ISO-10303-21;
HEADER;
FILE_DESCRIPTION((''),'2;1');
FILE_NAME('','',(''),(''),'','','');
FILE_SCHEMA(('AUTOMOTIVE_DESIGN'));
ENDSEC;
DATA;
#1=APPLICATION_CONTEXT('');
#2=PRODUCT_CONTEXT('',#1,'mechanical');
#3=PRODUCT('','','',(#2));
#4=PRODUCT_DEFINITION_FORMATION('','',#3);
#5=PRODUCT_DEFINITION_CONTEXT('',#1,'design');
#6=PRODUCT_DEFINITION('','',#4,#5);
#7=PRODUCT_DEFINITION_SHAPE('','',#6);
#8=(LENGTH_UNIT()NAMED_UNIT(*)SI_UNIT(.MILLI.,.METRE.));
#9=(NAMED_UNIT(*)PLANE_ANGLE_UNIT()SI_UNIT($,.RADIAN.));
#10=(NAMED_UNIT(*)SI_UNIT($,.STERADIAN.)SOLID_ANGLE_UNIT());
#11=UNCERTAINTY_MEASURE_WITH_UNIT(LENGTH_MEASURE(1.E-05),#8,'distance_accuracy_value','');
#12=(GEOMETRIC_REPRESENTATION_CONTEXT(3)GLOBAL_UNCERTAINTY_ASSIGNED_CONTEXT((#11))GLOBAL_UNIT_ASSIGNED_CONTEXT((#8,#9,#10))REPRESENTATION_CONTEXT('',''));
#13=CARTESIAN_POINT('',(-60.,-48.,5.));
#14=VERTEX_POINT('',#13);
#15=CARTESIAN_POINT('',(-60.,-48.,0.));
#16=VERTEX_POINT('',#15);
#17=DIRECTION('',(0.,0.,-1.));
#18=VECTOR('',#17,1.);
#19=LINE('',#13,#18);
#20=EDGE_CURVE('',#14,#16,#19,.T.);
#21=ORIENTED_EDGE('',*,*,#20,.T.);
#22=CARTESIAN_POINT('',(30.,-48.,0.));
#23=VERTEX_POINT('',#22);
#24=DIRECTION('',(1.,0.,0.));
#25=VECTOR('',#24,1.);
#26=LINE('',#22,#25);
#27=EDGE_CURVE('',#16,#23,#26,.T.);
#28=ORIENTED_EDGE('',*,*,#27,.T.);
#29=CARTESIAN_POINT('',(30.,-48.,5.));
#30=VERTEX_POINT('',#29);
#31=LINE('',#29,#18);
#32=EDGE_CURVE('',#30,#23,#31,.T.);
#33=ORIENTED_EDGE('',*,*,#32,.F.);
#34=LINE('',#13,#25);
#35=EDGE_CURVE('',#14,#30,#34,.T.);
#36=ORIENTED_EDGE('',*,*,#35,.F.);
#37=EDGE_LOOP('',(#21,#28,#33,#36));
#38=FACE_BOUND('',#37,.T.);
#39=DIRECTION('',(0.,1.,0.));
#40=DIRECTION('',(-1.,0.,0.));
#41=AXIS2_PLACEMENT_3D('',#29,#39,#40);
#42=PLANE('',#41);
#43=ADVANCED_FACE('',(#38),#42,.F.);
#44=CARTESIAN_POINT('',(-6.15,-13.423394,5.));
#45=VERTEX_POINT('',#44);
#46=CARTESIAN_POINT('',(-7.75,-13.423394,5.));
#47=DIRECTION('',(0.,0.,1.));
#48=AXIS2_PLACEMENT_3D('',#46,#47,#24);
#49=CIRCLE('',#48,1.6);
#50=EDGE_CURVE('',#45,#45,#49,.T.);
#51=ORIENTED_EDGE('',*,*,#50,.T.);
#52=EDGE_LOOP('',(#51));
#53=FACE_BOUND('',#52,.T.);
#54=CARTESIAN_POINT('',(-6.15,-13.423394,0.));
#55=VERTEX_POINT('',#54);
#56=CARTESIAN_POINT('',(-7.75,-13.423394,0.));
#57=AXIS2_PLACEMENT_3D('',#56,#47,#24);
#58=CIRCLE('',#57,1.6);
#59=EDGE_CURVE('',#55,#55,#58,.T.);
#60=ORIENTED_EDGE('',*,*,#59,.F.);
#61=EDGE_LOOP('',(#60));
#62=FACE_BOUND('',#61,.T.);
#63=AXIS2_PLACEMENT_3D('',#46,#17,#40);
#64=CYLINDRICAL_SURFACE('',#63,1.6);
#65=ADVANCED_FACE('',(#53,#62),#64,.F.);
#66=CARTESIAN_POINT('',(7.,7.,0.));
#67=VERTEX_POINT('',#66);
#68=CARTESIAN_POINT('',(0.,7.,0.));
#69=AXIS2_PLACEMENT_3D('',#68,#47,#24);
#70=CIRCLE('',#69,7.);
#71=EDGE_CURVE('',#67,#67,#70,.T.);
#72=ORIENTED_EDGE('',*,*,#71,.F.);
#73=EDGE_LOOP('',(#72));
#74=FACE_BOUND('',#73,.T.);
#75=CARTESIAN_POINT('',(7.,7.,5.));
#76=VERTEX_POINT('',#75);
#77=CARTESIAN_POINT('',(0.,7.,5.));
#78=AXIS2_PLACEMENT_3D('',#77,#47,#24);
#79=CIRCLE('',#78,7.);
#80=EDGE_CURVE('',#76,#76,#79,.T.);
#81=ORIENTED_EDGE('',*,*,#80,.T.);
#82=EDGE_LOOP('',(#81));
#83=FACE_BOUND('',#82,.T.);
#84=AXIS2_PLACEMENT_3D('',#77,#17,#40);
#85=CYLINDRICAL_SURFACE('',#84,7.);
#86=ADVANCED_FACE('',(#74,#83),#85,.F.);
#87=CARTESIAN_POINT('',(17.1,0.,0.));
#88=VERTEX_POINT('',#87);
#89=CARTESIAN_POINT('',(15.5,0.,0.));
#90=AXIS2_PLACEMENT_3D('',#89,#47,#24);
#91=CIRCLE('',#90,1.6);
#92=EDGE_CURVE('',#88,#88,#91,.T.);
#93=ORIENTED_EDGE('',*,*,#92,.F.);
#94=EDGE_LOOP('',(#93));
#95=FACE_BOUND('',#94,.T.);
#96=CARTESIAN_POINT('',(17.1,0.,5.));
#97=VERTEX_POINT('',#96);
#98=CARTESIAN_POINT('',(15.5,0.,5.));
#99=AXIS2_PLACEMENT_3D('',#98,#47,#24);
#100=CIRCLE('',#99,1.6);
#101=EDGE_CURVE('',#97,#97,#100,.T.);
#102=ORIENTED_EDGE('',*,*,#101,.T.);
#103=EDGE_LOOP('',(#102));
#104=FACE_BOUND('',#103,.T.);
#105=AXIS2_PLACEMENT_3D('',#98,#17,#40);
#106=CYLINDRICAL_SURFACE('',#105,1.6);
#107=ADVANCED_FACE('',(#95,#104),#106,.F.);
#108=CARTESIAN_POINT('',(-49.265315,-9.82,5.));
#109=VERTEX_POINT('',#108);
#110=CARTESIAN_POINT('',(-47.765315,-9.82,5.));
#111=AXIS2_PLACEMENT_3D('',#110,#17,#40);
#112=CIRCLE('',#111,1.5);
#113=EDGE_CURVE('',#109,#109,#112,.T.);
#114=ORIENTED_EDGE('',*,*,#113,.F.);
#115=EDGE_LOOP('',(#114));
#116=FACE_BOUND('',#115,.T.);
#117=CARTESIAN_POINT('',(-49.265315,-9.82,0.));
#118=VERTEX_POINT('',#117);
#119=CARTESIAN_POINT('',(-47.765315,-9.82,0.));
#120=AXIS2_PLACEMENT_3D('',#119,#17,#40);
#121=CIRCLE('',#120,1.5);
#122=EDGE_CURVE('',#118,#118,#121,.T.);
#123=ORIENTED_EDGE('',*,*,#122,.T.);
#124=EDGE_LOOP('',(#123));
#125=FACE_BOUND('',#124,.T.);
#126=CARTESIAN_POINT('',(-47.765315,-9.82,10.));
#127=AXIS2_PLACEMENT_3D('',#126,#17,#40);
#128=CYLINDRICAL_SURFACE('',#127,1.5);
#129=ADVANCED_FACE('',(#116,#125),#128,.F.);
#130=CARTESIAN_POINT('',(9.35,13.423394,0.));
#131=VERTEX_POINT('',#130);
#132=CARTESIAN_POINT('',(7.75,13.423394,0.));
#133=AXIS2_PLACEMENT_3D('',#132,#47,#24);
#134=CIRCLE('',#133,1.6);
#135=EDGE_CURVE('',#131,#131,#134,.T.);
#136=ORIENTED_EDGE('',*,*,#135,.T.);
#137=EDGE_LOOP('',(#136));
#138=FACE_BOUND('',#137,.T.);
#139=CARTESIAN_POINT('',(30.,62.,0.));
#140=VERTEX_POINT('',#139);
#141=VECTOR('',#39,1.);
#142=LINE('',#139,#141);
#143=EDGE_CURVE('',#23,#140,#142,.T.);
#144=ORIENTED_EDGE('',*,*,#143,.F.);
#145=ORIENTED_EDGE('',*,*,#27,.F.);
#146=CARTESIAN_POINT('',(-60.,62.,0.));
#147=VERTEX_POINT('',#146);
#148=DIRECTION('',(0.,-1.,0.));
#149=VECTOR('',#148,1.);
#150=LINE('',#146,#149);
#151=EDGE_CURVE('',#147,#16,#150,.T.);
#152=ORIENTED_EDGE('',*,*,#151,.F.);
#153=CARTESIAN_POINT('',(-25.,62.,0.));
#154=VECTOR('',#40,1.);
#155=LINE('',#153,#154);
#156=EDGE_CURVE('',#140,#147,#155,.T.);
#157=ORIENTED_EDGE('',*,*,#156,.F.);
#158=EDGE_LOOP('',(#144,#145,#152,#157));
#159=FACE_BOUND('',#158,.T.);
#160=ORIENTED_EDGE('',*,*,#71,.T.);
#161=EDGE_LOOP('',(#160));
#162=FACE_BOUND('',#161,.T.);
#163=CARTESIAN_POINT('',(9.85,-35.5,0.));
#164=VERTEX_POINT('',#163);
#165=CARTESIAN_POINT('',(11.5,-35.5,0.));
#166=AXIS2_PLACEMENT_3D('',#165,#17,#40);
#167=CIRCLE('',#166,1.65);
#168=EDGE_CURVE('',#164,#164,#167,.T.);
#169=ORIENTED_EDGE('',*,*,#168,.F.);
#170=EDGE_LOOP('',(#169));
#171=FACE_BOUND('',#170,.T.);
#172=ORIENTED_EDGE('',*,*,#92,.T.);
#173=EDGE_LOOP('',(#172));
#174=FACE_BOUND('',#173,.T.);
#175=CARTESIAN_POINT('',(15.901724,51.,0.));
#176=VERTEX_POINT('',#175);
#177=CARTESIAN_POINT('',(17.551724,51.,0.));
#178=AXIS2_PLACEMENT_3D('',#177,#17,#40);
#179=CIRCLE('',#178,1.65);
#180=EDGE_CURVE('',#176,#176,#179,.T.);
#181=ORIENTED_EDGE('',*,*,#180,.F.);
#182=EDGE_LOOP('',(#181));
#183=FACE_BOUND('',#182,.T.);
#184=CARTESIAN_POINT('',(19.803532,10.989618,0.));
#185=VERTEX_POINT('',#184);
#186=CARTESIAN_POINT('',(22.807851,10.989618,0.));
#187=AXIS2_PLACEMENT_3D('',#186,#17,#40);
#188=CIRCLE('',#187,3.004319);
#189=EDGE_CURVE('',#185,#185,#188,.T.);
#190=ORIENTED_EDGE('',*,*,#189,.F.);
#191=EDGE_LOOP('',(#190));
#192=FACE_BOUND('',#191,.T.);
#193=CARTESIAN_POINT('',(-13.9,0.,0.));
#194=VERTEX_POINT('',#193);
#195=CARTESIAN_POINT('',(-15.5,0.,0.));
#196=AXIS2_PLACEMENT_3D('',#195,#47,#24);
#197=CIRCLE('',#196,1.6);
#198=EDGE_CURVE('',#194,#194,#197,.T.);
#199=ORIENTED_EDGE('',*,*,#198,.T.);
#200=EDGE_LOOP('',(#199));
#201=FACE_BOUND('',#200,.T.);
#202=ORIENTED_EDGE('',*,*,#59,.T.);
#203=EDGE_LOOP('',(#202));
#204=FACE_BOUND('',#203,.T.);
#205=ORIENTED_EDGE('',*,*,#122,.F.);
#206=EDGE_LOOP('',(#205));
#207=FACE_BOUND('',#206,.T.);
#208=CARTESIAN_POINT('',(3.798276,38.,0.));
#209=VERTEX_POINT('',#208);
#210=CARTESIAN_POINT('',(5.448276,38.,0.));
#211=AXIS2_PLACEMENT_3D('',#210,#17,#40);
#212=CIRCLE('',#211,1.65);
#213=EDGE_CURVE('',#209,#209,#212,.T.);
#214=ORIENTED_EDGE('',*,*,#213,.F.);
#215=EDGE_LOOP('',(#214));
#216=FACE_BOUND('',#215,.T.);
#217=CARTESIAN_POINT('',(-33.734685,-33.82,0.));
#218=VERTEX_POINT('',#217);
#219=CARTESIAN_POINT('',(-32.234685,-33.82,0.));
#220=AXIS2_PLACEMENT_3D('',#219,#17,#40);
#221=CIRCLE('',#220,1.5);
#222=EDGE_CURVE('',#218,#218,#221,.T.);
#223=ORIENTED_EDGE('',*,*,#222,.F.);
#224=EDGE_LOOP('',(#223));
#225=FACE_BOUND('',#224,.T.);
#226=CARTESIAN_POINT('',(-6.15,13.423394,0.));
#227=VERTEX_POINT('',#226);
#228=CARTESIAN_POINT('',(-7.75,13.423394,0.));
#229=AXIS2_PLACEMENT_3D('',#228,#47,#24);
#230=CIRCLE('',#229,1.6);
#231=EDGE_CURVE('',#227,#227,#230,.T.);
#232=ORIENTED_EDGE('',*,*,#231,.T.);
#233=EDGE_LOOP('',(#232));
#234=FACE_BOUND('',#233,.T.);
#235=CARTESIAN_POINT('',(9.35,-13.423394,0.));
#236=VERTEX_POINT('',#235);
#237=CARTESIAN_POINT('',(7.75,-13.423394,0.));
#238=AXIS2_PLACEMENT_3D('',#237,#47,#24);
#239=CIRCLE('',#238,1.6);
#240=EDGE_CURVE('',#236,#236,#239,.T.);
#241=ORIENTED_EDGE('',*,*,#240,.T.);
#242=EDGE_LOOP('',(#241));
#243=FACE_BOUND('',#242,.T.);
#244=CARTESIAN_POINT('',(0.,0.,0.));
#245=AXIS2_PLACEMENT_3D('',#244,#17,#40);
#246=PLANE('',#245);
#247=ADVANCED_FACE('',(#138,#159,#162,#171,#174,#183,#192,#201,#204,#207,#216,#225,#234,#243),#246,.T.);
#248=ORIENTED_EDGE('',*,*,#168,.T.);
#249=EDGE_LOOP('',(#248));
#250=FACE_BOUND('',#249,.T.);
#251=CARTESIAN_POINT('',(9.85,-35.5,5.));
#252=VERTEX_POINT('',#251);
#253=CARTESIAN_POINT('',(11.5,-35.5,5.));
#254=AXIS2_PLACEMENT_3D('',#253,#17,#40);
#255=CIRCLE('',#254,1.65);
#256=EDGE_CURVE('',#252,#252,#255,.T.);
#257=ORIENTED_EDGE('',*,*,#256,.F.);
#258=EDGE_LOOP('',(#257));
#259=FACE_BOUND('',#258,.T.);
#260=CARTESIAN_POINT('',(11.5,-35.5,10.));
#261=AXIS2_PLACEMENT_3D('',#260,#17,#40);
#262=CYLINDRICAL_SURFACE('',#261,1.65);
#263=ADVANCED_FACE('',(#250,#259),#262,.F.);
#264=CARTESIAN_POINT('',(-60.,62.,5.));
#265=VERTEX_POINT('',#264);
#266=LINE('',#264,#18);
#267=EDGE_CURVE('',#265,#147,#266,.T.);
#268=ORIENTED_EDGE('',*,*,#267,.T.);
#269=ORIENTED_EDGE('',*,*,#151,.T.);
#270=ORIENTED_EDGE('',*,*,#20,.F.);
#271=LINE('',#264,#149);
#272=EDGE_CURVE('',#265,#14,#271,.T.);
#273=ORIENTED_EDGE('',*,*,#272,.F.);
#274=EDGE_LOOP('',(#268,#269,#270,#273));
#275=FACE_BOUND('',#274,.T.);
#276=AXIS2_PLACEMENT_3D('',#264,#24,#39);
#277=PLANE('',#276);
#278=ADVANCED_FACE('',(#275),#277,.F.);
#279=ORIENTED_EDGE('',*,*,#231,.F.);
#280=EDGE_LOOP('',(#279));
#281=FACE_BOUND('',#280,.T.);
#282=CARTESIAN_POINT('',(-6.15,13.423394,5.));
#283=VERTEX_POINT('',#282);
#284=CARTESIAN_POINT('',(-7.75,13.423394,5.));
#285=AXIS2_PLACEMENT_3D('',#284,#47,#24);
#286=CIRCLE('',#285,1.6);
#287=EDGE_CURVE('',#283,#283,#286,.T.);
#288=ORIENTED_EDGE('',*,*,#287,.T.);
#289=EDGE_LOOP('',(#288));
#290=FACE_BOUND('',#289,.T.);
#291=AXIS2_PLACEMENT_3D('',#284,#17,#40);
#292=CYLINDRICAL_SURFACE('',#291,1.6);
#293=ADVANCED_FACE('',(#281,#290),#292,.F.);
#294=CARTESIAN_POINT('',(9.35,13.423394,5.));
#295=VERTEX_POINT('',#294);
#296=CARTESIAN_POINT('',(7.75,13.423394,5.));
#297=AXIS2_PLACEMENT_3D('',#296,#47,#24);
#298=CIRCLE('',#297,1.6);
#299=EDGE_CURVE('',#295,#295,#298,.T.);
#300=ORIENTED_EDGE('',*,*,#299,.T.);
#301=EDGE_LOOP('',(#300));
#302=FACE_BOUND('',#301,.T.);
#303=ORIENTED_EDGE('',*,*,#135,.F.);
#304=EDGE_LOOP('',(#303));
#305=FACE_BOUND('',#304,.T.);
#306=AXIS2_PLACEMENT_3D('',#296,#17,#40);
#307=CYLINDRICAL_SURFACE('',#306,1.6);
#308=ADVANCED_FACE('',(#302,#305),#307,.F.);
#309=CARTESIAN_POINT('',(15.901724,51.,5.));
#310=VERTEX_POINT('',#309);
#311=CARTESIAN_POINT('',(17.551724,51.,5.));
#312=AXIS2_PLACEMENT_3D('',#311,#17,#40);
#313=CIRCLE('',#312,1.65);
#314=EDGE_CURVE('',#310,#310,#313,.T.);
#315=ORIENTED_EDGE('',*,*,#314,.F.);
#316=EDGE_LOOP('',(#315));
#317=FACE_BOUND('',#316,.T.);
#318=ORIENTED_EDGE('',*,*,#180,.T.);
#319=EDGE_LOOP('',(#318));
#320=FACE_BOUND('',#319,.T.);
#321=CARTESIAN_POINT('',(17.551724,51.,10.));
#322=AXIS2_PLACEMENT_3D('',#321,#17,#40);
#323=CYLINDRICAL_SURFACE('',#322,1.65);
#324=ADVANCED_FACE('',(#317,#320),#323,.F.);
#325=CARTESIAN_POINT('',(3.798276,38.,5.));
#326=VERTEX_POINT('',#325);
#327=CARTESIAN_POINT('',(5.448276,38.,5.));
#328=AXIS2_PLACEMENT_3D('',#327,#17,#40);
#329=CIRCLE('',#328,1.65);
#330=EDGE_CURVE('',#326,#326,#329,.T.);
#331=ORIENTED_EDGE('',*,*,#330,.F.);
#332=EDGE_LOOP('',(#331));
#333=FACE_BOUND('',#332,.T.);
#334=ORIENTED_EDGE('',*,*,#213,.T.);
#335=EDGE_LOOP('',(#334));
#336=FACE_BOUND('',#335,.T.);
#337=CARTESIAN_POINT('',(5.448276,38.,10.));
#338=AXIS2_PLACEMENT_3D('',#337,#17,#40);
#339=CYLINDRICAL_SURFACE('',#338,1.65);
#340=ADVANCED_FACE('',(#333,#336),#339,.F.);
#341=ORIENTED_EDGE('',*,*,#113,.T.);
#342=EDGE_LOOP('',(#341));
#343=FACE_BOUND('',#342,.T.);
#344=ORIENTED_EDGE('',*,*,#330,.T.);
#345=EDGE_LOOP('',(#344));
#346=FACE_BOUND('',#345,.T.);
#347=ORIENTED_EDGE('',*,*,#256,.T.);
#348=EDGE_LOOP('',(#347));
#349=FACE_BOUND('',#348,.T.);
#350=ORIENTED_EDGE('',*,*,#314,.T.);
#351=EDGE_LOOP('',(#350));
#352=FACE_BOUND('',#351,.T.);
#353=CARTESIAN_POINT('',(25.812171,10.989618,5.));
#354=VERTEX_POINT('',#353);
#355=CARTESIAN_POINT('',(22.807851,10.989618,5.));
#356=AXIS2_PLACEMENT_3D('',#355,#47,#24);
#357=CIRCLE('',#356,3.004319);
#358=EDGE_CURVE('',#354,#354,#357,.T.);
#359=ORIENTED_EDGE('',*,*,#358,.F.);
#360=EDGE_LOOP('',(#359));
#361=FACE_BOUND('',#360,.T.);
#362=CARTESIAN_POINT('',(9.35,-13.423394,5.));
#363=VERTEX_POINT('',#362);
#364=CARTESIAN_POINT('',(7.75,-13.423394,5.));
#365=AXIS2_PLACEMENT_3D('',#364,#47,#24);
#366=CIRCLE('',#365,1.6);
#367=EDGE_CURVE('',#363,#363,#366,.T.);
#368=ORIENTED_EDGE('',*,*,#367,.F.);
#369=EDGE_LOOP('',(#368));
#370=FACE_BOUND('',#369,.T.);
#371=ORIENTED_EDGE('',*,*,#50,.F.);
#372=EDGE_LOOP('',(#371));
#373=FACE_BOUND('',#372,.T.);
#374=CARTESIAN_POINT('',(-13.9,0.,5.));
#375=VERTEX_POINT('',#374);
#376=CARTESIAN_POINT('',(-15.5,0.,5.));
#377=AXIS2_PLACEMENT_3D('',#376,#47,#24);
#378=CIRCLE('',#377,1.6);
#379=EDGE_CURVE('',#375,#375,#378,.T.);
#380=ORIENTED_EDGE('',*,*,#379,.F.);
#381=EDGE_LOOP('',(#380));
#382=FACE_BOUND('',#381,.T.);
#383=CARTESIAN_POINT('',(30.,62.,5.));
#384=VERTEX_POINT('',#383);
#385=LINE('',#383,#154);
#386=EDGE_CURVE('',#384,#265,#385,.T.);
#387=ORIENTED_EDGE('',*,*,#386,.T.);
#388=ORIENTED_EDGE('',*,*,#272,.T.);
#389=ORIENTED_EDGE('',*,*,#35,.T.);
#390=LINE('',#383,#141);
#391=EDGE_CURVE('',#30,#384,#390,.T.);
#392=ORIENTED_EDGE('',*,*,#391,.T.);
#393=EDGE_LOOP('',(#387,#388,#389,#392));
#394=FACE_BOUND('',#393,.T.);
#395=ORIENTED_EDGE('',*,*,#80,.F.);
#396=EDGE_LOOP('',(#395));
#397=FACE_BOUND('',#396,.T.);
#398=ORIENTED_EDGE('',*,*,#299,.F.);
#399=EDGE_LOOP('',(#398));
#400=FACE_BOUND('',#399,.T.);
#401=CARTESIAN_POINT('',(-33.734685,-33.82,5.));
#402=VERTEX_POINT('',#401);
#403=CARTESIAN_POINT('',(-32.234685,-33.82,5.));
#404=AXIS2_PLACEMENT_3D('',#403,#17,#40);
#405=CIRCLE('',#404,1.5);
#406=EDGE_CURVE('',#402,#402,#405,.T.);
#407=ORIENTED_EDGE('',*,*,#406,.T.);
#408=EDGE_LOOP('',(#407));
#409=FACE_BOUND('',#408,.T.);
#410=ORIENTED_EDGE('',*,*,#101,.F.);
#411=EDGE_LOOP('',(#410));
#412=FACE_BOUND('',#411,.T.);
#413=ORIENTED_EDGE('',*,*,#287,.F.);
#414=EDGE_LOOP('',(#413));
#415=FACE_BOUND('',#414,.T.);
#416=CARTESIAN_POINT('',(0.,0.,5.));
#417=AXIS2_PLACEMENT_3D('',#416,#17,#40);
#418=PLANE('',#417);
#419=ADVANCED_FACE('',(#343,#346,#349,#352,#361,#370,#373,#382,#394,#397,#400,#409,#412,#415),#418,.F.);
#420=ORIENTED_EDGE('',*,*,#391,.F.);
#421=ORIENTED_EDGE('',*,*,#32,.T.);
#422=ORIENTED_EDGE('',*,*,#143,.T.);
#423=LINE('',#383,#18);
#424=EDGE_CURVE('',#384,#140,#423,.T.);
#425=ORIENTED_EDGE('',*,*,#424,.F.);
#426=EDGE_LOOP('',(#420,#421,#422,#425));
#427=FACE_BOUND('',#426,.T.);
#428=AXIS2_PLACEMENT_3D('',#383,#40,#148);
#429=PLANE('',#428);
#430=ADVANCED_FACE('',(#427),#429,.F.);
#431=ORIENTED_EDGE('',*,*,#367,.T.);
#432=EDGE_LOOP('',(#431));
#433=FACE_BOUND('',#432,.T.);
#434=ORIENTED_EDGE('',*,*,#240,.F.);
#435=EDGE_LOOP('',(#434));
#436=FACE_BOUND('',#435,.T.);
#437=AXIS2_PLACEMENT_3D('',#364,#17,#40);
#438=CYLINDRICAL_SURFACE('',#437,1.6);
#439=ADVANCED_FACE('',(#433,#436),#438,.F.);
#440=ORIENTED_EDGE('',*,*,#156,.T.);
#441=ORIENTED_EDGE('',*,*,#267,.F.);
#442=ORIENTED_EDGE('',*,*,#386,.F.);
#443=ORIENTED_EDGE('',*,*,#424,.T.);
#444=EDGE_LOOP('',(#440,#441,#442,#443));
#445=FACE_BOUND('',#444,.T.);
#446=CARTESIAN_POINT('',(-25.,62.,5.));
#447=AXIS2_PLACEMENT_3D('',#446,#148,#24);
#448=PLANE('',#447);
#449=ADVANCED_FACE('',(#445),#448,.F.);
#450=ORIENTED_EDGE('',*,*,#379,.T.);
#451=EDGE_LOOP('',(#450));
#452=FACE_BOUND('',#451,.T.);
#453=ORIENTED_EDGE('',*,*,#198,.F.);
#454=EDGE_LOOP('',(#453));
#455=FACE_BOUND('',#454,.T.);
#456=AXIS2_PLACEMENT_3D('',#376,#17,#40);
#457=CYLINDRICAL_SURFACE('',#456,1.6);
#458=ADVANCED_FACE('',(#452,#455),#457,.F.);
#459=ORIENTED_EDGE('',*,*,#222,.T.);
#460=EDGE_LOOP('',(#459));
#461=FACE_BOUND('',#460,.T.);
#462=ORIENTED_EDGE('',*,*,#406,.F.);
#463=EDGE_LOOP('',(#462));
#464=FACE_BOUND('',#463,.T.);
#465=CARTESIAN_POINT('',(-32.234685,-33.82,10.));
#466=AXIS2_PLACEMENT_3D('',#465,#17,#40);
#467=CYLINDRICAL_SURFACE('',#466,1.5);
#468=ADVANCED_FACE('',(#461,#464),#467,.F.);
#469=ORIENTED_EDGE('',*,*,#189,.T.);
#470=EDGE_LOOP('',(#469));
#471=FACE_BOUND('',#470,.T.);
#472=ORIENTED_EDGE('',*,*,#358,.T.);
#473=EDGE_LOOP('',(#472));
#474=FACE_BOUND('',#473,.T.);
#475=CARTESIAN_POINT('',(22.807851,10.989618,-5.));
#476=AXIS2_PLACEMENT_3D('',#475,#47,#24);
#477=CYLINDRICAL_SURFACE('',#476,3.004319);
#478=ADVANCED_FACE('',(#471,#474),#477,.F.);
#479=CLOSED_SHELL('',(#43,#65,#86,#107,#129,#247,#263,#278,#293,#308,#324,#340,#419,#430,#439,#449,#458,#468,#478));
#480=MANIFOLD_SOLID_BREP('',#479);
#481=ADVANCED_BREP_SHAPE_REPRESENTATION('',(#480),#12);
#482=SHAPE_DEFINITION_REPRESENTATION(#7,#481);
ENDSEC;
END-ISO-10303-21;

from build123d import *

# Parameters (mm, degrees)
SKETCH_2_R          = 1.6
SKETCH_2_R_2        = 7
EXTRUDE_1_DEPTH     = 5
SKETCH_4_R          = 3.004319303
CUT_EXTRUDE_2_DEPTH = 10
SKETCH_5_R          = 1.65
SKETCH_5_R_2        = 1.5
CUT_EXTRUDE_3_DEPTH = 10


with BuildPart() as part:
    # Эскиз2 → Бобышка-Вытянуть1 (new body)
    with BuildSketch(Plane.XY):
        Polygon((-25, 62), (-60, 62), (-60, -48), (-25, -48), (30, -48), (30, 62), align=None)
        with Locations((-15.5, 0)):
            Circle(SKETCH_2_R, mode=Mode.SUBTRACT)
        with Locations((-7.75, 13.423393759)):
            Circle(SKETCH_2_R, mode=Mode.SUBTRACT)
        with Locations((7.75, 13.423393759)):
            Circle(SKETCH_2_R, mode=Mode.SUBTRACT)
        with Locations((15.5, 0)):
            Circle(SKETCH_2_R, mode=Mode.SUBTRACT)
        with Locations((7.75, -13.423393759)):
            Circle(SKETCH_2_R, mode=Mode.SUBTRACT)
        with Locations((-7.75, -13.423393759)):
            Circle(SKETCH_2_R, mode=Mode.SUBTRACT)
        with Locations((0, 7)):
            Circle(SKETCH_2_R_2, mode=Mode.SUBTRACT)
    extrude(amount=EXTRUDE_1_DEPTH)

    # Эскиз4 → Вырез-Вытянуть2 (cut)
    with BuildSketch(Plane.XY.offset(5)):
        with Locations((22.80785145, 10.989617997)):
            Circle(SKETCH_4_R)
    extrude(amount=-CUT_EXTRUDE_2_DEPTH, mode=Mode.SUBTRACT)

    # Эскиз5 → Вырез-Вытянуть3 (cut)
    with BuildSketch(Plane(origin=(0, 0, 0), x_dir=(-1, 0, 0), z_dir=(0, 0, -1))):
        with Locations((-17.551724138, 51)):
            Circle(SKETCH_5_R)
        with Locations((-5.448275862, 38)):
            Circle(SKETCH_5_R)
        with Locations((32.234685073, -33.82)):
            Circle(SKETCH_5_R_2)
        with Locations((47.765314927, -9.82)):
            Circle(SKETCH_5_R_2)
        with Locations((-11.5, -35.5)):
            Circle(SKETCH_5_R)
    extrude(amount=-CUT_EXTRUDE_3_DEPTH, mode=Mode.SUBTRACT)


solid = part.part
